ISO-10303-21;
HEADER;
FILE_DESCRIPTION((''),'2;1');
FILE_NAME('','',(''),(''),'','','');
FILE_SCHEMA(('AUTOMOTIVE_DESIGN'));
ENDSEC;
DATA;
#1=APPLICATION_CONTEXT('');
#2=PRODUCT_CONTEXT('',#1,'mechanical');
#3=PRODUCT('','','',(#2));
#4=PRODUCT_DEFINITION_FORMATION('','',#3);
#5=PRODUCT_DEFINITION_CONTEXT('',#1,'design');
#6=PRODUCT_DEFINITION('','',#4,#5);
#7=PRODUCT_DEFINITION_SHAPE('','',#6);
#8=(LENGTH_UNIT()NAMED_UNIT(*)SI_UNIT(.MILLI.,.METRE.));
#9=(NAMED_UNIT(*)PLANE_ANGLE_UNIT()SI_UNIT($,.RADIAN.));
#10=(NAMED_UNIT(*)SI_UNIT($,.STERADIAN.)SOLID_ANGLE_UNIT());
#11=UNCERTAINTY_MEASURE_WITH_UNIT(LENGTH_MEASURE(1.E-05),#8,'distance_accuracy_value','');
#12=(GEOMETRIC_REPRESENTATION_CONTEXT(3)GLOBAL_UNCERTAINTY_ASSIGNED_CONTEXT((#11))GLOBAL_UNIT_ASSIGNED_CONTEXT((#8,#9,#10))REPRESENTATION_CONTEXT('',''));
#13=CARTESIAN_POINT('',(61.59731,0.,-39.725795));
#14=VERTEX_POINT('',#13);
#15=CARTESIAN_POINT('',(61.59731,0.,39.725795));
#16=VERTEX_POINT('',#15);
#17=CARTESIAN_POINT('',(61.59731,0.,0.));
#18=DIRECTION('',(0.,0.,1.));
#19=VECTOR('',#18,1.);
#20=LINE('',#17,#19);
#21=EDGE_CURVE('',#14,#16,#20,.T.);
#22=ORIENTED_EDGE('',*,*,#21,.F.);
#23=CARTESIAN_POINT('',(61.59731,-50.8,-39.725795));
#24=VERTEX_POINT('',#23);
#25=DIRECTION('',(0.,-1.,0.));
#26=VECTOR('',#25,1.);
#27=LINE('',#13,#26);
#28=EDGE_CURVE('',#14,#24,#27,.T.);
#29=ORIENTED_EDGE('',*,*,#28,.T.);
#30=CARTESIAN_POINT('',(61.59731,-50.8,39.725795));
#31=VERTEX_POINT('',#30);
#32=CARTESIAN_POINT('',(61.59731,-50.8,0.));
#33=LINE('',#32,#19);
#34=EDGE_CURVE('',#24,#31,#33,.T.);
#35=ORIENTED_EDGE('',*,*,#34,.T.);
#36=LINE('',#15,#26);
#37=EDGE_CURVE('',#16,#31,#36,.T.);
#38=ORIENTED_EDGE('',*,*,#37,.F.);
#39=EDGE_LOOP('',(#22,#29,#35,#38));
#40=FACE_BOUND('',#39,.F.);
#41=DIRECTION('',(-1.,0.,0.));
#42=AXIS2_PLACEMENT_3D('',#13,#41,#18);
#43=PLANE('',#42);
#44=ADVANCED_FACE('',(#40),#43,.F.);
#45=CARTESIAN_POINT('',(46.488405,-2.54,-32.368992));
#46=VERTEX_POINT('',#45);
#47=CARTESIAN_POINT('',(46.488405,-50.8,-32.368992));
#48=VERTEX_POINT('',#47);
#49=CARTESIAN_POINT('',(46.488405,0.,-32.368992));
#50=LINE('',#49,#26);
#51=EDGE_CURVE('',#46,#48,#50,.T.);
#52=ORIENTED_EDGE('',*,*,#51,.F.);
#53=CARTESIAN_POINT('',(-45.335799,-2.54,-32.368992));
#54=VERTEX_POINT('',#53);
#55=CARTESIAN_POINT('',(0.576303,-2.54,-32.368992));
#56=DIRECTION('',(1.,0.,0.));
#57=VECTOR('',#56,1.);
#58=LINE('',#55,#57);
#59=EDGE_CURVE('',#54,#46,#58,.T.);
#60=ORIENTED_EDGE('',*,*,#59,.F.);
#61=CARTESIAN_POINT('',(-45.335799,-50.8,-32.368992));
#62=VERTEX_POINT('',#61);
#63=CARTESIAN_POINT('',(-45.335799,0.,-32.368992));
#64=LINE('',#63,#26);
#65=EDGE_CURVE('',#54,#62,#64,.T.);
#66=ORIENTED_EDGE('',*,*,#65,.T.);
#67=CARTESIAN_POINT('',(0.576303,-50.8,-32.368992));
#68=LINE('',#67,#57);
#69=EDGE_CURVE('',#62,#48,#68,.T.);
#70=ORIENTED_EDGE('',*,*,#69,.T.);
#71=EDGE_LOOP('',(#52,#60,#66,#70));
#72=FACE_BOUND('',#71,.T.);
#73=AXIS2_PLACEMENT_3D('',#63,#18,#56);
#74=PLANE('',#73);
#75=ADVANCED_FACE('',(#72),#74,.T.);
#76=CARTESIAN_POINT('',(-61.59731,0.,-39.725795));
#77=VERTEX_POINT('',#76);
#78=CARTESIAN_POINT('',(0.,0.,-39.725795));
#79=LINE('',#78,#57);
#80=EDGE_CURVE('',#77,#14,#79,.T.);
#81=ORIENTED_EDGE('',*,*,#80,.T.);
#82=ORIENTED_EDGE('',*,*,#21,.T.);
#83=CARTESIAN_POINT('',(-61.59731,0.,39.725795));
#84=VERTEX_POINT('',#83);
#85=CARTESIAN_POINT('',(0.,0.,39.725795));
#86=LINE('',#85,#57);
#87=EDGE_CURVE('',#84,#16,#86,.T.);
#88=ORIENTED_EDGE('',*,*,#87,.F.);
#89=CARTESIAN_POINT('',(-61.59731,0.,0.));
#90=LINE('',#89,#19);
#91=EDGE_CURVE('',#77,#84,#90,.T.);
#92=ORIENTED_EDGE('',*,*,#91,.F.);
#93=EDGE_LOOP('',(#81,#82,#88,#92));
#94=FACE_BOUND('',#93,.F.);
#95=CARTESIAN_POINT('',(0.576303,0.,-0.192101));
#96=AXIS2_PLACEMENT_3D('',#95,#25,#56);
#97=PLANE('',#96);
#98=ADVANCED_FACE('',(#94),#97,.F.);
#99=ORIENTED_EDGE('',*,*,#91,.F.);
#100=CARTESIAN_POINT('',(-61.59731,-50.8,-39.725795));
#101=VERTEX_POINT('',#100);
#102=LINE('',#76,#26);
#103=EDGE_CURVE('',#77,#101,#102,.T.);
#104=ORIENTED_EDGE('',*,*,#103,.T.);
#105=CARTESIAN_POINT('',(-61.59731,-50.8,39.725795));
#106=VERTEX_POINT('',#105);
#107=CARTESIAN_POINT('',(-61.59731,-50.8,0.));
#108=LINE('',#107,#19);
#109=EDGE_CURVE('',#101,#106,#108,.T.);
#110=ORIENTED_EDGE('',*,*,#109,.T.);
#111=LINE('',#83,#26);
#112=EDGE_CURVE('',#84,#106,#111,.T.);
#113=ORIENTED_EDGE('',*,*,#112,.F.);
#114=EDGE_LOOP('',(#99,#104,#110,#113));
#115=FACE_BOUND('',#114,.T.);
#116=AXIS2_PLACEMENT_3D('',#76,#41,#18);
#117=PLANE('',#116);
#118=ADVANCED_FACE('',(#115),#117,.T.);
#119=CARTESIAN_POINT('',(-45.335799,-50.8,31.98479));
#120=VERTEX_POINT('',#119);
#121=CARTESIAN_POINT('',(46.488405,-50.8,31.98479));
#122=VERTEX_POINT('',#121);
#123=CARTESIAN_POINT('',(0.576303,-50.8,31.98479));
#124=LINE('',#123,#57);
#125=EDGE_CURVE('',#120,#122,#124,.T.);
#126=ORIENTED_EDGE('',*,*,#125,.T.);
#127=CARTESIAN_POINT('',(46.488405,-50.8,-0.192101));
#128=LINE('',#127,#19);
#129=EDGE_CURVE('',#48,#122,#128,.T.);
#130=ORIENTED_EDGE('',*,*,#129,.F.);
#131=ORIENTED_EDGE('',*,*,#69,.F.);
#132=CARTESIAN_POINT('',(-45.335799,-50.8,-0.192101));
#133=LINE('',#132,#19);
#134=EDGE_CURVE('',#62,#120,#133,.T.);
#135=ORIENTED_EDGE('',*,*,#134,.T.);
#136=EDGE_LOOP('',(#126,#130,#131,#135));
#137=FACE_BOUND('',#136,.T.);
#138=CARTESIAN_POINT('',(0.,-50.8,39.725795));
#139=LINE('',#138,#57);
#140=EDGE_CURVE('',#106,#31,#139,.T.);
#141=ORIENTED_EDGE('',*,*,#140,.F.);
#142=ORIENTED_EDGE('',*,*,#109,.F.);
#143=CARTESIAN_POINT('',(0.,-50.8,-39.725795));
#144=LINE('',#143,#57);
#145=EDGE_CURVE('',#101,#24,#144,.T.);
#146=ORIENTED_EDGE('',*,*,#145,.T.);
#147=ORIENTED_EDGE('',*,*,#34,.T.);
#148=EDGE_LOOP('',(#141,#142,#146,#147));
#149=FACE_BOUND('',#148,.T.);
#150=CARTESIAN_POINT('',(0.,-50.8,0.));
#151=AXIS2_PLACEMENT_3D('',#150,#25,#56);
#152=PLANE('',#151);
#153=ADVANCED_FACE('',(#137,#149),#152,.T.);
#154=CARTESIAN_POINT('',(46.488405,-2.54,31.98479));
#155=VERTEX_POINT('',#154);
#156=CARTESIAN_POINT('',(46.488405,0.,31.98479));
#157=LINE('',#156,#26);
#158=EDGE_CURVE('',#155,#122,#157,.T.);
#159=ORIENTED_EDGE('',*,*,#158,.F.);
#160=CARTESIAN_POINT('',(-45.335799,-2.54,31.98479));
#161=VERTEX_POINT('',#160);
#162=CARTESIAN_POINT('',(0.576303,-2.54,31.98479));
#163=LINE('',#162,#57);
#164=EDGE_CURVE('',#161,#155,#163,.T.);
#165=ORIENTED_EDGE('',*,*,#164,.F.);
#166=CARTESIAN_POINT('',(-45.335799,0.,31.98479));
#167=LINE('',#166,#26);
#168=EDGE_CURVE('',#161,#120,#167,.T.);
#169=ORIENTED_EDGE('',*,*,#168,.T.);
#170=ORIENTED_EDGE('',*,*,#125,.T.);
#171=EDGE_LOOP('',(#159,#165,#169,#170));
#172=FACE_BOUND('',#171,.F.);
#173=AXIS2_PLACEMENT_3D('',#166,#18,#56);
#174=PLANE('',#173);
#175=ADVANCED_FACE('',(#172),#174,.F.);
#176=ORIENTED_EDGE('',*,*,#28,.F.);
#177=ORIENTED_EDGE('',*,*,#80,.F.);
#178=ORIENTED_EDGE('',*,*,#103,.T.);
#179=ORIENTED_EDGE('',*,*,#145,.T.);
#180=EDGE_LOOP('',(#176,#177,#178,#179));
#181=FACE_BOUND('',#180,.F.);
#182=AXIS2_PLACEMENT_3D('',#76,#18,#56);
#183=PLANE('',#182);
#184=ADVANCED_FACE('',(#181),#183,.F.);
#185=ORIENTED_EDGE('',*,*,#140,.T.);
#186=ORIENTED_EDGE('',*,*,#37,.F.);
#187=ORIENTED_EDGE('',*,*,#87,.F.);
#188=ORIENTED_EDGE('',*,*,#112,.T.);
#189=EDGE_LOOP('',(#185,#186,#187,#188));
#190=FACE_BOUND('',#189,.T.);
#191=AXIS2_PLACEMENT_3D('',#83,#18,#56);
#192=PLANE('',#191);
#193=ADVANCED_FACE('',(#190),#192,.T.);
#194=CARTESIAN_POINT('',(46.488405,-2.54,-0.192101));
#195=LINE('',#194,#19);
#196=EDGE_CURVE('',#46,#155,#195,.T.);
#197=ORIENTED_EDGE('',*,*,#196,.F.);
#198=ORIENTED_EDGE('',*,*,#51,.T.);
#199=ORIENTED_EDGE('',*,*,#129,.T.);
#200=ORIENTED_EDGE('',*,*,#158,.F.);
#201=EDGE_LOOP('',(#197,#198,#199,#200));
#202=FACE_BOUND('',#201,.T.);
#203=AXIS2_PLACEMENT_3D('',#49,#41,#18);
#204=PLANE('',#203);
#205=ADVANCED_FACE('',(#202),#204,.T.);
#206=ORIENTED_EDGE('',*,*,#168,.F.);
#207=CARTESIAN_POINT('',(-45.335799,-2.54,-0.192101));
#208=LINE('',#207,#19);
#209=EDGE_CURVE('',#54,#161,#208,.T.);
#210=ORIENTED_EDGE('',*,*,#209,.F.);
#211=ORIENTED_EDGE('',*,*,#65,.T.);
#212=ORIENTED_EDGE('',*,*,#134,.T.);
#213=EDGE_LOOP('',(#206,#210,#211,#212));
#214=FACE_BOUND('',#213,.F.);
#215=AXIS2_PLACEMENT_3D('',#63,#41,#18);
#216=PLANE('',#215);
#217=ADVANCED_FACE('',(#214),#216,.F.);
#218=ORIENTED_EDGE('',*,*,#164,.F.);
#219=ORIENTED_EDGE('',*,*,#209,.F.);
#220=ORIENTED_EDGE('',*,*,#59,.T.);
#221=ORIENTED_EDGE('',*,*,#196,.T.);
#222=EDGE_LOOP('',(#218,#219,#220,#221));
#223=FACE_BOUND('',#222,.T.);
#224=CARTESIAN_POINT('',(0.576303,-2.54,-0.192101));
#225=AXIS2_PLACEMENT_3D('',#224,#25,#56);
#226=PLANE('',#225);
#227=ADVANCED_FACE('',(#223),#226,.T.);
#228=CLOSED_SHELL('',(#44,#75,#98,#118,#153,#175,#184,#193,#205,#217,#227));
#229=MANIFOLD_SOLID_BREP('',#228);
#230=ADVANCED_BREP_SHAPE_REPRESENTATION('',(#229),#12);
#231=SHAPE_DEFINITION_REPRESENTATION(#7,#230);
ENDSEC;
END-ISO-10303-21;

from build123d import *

# Parameters (mm, degrees)
F0_W     = 123.19462
F0_H     = 79.45159
F0_W_2   = 91.824203
F0_H_2   = 64.353783
F1_DEPTH = 50.8
F2_DEPTH = 2.54


with BuildPart() as f1:
    # F0 (on Front) → F1 (new body)
    with BuildSketch(Plane.XZ):
        Rectangle(F0_W, F0_H)
        with Locations((0.576303, -0.192101)):
            Rectangle(F0_W_2, F0_H_2, mode=Mode.SUBTRACT)
    extrude(amount=F1_DEPTH)

    # F0 (on Front) → F2 (join)
    with BuildSketch(Plane.XZ):
        with Locations((0.576303, -0.192101)):
            Rectangle(F0_W_2, F0_H_2)
    extrude(amount=F2_DEPTH)


solid = f1.part
